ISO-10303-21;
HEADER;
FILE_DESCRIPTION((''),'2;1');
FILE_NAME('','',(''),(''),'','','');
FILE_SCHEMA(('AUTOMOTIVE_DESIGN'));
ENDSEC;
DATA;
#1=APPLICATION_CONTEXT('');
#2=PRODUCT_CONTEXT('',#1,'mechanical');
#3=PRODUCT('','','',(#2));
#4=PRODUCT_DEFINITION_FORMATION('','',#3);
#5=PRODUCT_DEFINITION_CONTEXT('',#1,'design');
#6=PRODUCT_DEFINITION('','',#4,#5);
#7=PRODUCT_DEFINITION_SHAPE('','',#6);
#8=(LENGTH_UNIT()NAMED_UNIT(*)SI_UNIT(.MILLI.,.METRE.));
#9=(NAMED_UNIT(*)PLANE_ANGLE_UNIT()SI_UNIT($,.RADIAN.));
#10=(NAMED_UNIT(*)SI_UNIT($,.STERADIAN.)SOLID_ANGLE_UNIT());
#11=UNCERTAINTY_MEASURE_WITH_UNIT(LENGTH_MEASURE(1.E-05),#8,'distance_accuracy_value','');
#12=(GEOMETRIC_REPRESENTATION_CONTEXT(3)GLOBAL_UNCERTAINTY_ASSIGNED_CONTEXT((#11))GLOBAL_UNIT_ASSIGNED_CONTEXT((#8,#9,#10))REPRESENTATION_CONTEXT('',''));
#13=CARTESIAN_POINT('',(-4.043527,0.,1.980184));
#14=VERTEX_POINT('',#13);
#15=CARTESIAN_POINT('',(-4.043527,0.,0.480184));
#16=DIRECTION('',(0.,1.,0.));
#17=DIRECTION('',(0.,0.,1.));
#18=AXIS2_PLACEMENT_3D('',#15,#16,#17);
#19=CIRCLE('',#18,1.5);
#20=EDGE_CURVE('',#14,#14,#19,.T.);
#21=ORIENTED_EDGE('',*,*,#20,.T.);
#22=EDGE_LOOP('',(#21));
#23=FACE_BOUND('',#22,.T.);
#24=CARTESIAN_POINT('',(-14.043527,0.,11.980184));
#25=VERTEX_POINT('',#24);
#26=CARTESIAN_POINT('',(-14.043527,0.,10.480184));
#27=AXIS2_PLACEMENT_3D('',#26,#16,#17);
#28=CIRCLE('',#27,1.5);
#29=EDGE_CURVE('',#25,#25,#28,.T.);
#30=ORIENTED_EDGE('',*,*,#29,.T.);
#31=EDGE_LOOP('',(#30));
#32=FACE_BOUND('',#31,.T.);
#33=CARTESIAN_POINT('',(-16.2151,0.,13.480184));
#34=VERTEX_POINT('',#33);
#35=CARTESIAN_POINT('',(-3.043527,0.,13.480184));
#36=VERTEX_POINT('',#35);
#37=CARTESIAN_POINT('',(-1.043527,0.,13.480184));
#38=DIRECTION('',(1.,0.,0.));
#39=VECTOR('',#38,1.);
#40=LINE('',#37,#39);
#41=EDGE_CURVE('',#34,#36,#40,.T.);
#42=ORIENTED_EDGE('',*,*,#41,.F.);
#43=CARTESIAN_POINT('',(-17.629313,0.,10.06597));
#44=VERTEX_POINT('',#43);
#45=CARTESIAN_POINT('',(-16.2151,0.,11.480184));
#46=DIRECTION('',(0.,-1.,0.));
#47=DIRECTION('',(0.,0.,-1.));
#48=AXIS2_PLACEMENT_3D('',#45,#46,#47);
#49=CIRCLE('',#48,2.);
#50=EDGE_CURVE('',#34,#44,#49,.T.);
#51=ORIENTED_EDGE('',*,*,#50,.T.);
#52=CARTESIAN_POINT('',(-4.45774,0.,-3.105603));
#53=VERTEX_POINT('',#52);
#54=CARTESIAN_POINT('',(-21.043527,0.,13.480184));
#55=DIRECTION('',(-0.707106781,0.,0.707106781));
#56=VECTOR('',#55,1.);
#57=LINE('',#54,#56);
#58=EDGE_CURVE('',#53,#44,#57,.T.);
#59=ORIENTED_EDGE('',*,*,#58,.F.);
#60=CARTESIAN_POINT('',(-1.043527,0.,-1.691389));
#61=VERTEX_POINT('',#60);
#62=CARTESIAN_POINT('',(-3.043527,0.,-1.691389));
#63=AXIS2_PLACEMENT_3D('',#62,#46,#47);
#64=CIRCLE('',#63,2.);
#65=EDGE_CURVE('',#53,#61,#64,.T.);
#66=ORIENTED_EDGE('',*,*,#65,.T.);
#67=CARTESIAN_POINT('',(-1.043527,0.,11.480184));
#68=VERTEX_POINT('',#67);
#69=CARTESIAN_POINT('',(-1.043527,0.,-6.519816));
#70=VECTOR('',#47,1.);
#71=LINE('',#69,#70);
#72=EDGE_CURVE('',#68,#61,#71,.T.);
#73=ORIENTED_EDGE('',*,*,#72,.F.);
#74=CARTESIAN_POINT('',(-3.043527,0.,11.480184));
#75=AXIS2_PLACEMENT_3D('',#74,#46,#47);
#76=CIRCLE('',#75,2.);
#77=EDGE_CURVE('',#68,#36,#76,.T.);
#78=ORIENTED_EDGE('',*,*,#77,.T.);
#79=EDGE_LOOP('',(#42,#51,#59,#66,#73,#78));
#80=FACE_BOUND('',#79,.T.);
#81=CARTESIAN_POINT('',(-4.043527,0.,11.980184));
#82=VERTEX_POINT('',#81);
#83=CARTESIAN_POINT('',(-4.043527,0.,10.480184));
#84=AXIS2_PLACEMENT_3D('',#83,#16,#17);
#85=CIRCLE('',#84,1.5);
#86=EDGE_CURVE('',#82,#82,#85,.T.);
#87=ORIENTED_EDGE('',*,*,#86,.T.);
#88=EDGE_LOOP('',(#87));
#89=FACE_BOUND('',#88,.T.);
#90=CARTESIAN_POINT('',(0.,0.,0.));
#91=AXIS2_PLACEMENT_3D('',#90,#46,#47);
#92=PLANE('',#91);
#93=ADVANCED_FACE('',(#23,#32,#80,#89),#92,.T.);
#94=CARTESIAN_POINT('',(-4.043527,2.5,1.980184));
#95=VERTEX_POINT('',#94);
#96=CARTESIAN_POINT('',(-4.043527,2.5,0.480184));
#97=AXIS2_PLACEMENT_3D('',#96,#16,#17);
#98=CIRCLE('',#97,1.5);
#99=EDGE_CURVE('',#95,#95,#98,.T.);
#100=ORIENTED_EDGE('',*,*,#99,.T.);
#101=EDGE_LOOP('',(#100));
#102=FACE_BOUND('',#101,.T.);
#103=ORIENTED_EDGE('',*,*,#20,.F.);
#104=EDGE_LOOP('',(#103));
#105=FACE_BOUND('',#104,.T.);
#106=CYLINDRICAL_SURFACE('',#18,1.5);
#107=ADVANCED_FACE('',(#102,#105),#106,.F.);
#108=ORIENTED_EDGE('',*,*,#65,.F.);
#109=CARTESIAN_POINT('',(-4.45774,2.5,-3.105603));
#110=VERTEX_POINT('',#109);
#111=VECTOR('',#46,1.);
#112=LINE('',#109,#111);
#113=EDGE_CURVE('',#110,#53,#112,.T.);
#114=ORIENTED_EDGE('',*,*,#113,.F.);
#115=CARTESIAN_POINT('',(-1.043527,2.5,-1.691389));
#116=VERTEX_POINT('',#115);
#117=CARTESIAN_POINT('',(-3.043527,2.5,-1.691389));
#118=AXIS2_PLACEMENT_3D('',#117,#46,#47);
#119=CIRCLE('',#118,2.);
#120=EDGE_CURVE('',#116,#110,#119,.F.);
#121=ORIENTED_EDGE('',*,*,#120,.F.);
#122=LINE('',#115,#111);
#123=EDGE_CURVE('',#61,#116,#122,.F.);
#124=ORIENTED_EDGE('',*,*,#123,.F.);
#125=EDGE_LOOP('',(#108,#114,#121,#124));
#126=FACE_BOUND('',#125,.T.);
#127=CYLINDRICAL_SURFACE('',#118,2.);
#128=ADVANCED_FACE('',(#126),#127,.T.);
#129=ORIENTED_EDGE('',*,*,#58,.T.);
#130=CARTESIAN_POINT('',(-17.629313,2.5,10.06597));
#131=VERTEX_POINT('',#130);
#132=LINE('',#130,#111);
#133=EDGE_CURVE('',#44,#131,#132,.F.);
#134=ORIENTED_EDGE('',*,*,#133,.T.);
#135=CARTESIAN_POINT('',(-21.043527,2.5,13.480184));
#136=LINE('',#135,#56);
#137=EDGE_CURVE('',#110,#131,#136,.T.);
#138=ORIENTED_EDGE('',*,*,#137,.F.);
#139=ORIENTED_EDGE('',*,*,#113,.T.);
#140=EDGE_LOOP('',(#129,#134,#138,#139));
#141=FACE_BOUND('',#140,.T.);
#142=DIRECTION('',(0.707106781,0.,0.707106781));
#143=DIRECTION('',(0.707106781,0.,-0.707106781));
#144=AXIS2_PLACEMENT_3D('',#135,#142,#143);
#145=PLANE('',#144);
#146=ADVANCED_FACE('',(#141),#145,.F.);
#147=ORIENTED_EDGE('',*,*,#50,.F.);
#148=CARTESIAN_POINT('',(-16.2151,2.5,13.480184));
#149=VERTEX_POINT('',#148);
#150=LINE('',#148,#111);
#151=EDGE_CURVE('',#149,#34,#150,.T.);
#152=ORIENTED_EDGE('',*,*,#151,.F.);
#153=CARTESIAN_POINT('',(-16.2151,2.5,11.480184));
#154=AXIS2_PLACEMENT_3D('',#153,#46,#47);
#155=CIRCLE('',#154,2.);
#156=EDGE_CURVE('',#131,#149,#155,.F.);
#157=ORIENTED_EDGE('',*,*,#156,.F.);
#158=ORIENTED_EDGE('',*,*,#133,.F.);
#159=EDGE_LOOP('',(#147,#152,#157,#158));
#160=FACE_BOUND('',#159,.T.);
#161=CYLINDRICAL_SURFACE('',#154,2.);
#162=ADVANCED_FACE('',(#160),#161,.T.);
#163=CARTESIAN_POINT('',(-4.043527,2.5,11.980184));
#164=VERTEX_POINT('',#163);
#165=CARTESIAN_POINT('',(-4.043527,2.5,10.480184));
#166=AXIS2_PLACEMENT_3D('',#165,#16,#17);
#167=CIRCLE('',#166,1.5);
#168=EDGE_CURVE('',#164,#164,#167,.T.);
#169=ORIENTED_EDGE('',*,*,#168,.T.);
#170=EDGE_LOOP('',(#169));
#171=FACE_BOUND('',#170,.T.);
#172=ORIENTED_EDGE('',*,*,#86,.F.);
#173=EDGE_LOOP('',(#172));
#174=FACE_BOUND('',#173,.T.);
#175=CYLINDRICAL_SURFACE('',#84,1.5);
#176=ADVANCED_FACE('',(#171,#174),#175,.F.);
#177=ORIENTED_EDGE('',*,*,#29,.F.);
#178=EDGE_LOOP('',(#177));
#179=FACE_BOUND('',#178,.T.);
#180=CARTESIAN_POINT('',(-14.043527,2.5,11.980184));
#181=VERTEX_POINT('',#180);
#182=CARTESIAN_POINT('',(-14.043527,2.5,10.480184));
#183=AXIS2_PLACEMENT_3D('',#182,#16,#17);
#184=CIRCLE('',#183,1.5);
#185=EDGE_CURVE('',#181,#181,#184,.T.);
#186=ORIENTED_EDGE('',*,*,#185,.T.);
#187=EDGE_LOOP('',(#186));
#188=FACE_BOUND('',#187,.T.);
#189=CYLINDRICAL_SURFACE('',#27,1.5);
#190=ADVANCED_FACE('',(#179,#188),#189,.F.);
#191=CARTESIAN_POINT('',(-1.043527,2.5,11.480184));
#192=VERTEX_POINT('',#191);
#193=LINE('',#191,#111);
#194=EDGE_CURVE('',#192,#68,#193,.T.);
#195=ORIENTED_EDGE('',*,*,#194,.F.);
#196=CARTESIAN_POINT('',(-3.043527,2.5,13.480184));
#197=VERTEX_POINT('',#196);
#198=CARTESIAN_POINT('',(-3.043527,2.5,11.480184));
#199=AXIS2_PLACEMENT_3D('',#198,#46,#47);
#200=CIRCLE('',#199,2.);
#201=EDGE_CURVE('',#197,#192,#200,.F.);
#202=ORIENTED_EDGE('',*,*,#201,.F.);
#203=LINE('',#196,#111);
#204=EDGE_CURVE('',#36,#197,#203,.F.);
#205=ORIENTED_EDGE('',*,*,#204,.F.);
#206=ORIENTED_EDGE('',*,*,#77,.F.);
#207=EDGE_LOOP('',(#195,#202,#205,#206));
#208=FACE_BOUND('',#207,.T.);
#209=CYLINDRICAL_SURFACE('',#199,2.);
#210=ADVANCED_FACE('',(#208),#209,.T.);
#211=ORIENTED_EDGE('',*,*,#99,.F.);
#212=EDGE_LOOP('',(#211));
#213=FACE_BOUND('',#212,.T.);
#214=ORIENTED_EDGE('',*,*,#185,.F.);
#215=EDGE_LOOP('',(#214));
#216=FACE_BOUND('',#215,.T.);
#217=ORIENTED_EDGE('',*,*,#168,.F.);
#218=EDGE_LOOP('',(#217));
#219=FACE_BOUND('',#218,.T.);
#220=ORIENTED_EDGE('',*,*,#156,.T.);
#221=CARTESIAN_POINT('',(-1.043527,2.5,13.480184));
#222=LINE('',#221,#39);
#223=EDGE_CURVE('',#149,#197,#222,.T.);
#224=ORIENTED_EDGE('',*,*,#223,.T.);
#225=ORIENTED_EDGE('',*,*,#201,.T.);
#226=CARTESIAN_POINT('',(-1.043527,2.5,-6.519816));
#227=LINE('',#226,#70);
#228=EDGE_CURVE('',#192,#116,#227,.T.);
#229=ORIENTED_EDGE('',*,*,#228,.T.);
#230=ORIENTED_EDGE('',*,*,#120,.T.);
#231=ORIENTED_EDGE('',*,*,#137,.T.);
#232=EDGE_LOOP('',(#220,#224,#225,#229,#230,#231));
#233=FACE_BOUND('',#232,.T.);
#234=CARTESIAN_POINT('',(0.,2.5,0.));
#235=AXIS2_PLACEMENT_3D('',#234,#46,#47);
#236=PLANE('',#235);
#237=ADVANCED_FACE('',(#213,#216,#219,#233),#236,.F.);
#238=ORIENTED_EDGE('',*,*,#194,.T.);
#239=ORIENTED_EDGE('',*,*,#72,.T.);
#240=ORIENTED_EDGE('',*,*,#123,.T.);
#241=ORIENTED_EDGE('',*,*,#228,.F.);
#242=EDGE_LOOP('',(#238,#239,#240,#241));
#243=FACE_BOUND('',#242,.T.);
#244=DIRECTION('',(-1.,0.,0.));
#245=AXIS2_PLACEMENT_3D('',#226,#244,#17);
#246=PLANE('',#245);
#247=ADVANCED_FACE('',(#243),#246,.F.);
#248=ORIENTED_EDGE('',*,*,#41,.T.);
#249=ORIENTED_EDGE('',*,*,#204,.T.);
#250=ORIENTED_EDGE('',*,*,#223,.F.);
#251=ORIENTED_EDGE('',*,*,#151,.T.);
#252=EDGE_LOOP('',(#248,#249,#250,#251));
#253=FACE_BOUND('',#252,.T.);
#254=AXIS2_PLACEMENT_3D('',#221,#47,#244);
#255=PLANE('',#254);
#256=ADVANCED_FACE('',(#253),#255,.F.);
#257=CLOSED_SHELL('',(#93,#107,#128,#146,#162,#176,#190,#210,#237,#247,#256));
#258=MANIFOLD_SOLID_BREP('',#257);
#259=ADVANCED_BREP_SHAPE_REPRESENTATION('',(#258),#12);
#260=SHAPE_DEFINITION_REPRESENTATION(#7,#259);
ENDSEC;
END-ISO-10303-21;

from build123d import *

# Parameters (mm, degrees)
BOSS_EXTRUDE1_DEPTH = 2.5
FILLET1_R           = 2
SKETCH2_R           = 1.5
CUT_EXTRUDE1_DEPTH  = 23.7981406


with BuildPart() as part:
    # Sketch1 → Boss-Extrude1 (new body)
    with BuildSketch(Plane(origin=(0, 0, 0), x_dir=(1, 0, 0), z_dir=(0, 1, 0))):
        Polygon((-1.043526837, 6.519816127), (-1.043526837, -13.480183873), (-21.043526837, -13.480183873), align=None)
    extrude(amount=BOSS_EXTRUDE1_DEPTH)

    # Fillet1
    fillet1_edges = [part.edges().sort_by_distance(p)[0] for p in [
        (-1.043526837, 1.25, -6.519816127),
        (-1.043526837, 1.25, 13.480183873),
        (-21.043526837, 1.25, 13.480183873),
    ]]
    fillet(fillet1_edges, radius=FILLET1_R)

    # Sketch2 → Cut-Extrude1 (cut, through all)
    with BuildSketch(Plane(origin=(0, 2.5, 0), x_dir=(1, 0, 0), z_dir=(0, 1, 0))):
        with Locations(Location((-4.043526837, -0.480183873, 0), (0, 0, 270))):
            Circle(SKETCH2_R)
        with Locations(Location((-4.043526837, -10.480183873, 0), (0, 0, 270))):
            Circle(SKETCH2_R)
        with Locations(Location((-14.043526837, -10.480183873, 0), (0, 0, 270))):
            Circle(SKETCH2_R)
    extrude(amount=-CUT_EXTRUDE1_DEPTH, mode=Mode.SUBTRACT)


solid = part.part
